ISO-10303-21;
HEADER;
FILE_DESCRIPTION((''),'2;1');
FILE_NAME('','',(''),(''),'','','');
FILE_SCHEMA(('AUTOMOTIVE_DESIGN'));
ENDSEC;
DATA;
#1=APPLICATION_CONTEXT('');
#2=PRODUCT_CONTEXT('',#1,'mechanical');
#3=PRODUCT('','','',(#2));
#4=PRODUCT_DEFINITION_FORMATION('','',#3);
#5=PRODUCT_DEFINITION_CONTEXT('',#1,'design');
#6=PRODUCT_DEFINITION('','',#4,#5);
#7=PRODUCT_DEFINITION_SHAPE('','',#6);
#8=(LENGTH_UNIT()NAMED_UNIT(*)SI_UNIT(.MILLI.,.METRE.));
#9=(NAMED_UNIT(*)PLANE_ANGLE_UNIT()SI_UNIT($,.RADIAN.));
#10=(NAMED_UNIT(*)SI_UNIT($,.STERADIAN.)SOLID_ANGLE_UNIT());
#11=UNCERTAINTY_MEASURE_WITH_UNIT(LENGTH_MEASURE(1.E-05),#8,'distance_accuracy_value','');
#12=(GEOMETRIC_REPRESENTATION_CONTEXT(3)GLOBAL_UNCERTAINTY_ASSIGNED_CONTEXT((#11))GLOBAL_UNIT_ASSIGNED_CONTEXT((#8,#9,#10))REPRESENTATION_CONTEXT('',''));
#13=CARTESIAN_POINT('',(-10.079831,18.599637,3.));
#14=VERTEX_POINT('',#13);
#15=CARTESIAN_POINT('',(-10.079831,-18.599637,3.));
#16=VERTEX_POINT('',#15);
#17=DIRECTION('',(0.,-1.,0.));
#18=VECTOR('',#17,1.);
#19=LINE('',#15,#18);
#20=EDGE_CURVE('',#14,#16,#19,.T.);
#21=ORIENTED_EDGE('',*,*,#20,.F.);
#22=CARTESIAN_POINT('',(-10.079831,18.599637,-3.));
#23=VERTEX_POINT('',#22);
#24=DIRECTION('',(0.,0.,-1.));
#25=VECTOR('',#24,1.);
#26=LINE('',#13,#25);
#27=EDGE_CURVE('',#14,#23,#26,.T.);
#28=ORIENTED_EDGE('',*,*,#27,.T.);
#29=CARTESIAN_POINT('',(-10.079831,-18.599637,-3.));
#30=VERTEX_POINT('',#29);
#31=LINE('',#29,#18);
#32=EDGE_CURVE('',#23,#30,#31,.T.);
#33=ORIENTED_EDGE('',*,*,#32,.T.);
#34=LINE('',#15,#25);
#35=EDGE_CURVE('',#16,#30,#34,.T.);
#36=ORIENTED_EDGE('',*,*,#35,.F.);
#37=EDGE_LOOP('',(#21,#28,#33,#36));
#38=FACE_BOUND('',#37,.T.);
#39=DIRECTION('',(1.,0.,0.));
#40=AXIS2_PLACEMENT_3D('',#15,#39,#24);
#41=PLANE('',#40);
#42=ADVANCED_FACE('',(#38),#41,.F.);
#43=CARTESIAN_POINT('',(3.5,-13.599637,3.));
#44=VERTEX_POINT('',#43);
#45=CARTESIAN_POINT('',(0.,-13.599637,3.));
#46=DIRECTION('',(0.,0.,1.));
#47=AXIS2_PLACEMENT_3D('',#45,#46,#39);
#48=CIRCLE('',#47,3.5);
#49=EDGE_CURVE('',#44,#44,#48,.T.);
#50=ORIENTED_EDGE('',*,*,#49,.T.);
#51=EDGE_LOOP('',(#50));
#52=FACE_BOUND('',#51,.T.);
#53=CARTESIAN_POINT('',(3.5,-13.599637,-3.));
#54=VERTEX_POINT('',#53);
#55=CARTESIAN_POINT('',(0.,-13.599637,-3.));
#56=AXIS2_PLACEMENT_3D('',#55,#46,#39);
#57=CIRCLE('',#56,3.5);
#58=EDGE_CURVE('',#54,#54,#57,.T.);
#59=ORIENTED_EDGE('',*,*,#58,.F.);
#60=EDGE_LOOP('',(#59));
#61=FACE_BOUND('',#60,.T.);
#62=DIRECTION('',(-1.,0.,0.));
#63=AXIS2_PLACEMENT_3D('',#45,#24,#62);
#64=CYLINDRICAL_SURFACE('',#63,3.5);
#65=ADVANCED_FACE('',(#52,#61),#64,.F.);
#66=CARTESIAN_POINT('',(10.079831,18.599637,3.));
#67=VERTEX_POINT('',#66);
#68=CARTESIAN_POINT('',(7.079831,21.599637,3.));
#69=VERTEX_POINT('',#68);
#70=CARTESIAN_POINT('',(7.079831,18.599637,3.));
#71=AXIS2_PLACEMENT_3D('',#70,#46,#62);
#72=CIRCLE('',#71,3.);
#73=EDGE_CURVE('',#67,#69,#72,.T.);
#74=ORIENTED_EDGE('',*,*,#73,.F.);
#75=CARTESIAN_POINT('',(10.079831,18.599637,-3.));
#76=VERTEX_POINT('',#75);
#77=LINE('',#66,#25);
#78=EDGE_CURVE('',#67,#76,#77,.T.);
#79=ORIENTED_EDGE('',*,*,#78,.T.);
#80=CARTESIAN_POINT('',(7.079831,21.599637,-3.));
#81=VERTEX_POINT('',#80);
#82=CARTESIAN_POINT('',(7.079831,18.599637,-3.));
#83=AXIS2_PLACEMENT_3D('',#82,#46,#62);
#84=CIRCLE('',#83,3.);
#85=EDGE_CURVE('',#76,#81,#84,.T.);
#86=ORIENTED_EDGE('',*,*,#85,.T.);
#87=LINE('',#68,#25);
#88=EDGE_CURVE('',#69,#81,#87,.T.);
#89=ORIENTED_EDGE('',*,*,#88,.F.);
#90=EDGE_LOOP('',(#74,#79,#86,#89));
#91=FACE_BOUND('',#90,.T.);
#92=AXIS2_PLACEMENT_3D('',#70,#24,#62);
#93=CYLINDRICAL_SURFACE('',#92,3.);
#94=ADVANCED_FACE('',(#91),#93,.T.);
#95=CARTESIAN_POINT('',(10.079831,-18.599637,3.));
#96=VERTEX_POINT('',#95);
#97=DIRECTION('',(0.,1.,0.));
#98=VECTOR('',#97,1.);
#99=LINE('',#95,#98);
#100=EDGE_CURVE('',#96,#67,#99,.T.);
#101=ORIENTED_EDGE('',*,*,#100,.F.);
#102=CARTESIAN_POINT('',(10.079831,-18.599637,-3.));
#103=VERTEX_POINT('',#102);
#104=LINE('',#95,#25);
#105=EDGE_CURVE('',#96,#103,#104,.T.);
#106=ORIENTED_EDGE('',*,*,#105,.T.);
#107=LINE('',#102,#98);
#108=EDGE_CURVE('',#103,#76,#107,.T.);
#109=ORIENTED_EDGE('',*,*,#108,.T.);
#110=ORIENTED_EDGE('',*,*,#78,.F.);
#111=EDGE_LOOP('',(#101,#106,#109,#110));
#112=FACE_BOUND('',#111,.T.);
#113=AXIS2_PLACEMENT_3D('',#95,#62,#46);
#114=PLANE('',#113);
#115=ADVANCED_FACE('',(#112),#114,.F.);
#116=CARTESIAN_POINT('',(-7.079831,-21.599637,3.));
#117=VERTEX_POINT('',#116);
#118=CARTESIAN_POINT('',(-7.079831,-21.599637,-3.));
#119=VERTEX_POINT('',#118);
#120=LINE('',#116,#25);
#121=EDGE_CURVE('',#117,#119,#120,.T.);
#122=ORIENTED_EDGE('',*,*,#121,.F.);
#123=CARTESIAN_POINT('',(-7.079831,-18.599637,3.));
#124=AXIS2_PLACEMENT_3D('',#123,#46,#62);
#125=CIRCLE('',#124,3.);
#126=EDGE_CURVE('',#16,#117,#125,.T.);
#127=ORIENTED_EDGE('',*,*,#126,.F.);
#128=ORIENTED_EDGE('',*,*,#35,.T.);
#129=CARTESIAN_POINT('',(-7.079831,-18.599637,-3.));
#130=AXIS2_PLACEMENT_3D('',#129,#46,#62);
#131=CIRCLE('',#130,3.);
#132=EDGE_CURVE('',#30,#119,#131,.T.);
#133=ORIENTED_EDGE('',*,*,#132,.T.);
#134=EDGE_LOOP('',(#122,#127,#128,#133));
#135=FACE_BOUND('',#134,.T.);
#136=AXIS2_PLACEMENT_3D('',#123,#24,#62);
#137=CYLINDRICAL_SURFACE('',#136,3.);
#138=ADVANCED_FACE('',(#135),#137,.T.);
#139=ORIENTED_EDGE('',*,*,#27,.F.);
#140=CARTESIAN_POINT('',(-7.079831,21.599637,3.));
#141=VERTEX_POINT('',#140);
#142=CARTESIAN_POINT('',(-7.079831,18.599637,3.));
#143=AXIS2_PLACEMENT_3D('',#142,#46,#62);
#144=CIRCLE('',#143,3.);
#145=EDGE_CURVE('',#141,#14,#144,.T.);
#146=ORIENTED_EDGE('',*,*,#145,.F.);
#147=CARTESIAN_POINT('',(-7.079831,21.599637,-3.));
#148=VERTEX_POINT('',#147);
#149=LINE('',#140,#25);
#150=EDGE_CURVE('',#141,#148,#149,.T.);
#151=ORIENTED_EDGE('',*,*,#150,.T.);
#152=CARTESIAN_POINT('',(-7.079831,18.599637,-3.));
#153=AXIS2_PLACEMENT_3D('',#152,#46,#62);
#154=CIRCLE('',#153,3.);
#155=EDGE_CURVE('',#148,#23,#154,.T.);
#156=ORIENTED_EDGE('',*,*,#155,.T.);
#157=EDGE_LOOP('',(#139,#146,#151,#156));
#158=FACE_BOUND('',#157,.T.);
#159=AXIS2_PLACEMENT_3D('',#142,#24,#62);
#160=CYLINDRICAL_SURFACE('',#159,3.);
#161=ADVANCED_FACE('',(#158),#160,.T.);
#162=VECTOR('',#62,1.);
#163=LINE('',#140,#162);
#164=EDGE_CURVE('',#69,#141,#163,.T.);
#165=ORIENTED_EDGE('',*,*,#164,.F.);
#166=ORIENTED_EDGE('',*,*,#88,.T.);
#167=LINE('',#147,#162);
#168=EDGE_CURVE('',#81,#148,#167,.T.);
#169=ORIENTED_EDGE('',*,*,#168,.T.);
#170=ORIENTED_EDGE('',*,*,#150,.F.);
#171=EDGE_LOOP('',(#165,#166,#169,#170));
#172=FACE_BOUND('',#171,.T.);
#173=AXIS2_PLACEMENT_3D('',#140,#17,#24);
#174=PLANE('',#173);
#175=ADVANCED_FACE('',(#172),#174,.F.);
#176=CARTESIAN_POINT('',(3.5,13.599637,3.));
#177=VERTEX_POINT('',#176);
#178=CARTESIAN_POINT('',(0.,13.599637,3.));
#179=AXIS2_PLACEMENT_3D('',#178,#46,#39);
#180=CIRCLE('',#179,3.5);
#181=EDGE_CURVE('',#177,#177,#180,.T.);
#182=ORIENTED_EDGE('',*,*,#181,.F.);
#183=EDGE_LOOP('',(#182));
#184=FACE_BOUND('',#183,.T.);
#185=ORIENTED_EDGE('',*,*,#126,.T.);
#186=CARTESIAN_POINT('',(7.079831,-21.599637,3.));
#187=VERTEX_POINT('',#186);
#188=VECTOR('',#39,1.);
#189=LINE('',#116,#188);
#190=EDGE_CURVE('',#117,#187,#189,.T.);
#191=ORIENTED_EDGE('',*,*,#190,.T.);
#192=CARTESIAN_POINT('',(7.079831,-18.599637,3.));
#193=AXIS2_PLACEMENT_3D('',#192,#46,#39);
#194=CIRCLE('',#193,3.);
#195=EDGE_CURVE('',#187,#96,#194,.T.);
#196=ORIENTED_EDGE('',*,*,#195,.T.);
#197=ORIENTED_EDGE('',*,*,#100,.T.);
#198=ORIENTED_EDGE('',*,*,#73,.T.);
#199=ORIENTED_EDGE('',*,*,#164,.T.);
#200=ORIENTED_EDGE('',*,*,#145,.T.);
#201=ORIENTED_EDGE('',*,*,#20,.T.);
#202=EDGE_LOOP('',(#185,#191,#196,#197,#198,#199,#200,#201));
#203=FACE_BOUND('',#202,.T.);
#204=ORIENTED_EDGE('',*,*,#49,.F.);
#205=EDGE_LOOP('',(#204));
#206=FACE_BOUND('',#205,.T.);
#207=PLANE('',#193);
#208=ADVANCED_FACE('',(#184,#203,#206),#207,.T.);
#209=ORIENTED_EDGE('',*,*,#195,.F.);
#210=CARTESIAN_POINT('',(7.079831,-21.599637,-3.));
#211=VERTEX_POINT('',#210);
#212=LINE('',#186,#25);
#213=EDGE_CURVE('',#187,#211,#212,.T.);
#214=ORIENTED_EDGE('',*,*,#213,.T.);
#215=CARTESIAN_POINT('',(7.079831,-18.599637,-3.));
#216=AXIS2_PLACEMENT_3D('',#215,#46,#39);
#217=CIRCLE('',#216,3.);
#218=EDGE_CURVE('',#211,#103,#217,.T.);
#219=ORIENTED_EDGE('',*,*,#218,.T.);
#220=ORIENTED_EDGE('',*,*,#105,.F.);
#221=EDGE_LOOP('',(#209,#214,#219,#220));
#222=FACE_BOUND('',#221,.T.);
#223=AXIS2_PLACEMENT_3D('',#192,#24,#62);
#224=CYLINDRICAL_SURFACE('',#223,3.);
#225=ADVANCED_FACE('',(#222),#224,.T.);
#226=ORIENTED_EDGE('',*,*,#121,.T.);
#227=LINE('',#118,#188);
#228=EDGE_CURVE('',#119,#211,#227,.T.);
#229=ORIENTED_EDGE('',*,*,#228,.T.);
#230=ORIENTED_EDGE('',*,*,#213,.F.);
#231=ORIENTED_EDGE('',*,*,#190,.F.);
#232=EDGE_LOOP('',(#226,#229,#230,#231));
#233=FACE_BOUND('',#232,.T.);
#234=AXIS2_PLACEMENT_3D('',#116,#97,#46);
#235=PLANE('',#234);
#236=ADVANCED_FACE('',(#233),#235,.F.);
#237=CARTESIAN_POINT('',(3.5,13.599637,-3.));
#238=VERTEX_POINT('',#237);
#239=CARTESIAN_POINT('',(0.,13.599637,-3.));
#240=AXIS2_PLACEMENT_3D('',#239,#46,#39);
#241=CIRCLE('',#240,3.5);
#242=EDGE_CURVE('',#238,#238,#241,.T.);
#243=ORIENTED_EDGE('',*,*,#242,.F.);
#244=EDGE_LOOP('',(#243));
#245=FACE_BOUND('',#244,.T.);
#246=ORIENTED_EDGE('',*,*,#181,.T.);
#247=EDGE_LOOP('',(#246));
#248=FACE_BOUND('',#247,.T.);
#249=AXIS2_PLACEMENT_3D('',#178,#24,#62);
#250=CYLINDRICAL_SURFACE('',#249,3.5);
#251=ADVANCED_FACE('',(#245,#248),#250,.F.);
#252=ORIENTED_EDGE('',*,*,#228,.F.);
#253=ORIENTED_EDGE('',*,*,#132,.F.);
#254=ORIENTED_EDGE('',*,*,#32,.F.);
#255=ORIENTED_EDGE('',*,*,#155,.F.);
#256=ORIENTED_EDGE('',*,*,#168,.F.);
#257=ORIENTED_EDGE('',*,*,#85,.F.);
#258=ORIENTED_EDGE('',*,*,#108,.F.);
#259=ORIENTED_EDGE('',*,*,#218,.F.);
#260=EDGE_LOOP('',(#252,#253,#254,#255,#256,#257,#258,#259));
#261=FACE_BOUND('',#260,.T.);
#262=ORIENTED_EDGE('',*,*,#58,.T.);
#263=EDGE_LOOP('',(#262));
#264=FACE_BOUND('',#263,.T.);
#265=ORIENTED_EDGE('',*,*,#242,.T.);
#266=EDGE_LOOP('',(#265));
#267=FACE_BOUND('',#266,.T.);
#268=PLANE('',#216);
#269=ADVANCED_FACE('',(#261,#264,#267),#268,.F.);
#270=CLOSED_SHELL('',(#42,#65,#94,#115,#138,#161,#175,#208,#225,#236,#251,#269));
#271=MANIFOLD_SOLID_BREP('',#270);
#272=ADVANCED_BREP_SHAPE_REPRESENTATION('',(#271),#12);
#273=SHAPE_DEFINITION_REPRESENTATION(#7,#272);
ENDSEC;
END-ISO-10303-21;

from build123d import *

# Parameters (mm, degrees)
SKETCH1_R           = 3.5
BOSS_EXTRUDE1_DEPTH = 3


with BuildPart() as part:
    # Sketch1 → Boss-Extrude1 (new, symmetric)
    with BuildSketch(Plane.XY):
        with BuildLine():
            Line((-7.079830729, -21.599637276), (7.079830729, -21.599637276))
            ThreePointArc((7.079830729, -21.599637276), (9.201151073, -20.72095762), (10.079830729, -18.599637276))
            Line((10.079830729, -18.599637276), (10.079830729, 18.599637276))
            ThreePointArc((10.079830729, 18.599637276), (9.201151073, 20.72095762), (7.079830729, 21.599637276))
            Line((7.079830729, 21.599637276), (-7.079830729, 21.599637276))
            ThreePointArc((-7.079830729, 21.599637276), (-9.201151073, 20.72095762), (-10.079830729, 18.599637276))
            Line((-10.079830729, 18.599637276), (-10.079830729, -18.599637276))
            ThreePointArc((-10.079830729, -18.599637276), (-9.201151073, -20.72095762), (-7.079830729, -21.599637276))
        make_face()
        with Locations((0, 13.599637276)):
            Circle(SKETCH1_R, mode=Mode.SUBTRACT)
        with Locations((0, -13.599637276)):
            Circle(SKETCH1_R, mode=Mode.SUBTRACT)
    extrude(amount=BOSS_EXTRUDE1_DEPTH, both=True)


solid = part.part
